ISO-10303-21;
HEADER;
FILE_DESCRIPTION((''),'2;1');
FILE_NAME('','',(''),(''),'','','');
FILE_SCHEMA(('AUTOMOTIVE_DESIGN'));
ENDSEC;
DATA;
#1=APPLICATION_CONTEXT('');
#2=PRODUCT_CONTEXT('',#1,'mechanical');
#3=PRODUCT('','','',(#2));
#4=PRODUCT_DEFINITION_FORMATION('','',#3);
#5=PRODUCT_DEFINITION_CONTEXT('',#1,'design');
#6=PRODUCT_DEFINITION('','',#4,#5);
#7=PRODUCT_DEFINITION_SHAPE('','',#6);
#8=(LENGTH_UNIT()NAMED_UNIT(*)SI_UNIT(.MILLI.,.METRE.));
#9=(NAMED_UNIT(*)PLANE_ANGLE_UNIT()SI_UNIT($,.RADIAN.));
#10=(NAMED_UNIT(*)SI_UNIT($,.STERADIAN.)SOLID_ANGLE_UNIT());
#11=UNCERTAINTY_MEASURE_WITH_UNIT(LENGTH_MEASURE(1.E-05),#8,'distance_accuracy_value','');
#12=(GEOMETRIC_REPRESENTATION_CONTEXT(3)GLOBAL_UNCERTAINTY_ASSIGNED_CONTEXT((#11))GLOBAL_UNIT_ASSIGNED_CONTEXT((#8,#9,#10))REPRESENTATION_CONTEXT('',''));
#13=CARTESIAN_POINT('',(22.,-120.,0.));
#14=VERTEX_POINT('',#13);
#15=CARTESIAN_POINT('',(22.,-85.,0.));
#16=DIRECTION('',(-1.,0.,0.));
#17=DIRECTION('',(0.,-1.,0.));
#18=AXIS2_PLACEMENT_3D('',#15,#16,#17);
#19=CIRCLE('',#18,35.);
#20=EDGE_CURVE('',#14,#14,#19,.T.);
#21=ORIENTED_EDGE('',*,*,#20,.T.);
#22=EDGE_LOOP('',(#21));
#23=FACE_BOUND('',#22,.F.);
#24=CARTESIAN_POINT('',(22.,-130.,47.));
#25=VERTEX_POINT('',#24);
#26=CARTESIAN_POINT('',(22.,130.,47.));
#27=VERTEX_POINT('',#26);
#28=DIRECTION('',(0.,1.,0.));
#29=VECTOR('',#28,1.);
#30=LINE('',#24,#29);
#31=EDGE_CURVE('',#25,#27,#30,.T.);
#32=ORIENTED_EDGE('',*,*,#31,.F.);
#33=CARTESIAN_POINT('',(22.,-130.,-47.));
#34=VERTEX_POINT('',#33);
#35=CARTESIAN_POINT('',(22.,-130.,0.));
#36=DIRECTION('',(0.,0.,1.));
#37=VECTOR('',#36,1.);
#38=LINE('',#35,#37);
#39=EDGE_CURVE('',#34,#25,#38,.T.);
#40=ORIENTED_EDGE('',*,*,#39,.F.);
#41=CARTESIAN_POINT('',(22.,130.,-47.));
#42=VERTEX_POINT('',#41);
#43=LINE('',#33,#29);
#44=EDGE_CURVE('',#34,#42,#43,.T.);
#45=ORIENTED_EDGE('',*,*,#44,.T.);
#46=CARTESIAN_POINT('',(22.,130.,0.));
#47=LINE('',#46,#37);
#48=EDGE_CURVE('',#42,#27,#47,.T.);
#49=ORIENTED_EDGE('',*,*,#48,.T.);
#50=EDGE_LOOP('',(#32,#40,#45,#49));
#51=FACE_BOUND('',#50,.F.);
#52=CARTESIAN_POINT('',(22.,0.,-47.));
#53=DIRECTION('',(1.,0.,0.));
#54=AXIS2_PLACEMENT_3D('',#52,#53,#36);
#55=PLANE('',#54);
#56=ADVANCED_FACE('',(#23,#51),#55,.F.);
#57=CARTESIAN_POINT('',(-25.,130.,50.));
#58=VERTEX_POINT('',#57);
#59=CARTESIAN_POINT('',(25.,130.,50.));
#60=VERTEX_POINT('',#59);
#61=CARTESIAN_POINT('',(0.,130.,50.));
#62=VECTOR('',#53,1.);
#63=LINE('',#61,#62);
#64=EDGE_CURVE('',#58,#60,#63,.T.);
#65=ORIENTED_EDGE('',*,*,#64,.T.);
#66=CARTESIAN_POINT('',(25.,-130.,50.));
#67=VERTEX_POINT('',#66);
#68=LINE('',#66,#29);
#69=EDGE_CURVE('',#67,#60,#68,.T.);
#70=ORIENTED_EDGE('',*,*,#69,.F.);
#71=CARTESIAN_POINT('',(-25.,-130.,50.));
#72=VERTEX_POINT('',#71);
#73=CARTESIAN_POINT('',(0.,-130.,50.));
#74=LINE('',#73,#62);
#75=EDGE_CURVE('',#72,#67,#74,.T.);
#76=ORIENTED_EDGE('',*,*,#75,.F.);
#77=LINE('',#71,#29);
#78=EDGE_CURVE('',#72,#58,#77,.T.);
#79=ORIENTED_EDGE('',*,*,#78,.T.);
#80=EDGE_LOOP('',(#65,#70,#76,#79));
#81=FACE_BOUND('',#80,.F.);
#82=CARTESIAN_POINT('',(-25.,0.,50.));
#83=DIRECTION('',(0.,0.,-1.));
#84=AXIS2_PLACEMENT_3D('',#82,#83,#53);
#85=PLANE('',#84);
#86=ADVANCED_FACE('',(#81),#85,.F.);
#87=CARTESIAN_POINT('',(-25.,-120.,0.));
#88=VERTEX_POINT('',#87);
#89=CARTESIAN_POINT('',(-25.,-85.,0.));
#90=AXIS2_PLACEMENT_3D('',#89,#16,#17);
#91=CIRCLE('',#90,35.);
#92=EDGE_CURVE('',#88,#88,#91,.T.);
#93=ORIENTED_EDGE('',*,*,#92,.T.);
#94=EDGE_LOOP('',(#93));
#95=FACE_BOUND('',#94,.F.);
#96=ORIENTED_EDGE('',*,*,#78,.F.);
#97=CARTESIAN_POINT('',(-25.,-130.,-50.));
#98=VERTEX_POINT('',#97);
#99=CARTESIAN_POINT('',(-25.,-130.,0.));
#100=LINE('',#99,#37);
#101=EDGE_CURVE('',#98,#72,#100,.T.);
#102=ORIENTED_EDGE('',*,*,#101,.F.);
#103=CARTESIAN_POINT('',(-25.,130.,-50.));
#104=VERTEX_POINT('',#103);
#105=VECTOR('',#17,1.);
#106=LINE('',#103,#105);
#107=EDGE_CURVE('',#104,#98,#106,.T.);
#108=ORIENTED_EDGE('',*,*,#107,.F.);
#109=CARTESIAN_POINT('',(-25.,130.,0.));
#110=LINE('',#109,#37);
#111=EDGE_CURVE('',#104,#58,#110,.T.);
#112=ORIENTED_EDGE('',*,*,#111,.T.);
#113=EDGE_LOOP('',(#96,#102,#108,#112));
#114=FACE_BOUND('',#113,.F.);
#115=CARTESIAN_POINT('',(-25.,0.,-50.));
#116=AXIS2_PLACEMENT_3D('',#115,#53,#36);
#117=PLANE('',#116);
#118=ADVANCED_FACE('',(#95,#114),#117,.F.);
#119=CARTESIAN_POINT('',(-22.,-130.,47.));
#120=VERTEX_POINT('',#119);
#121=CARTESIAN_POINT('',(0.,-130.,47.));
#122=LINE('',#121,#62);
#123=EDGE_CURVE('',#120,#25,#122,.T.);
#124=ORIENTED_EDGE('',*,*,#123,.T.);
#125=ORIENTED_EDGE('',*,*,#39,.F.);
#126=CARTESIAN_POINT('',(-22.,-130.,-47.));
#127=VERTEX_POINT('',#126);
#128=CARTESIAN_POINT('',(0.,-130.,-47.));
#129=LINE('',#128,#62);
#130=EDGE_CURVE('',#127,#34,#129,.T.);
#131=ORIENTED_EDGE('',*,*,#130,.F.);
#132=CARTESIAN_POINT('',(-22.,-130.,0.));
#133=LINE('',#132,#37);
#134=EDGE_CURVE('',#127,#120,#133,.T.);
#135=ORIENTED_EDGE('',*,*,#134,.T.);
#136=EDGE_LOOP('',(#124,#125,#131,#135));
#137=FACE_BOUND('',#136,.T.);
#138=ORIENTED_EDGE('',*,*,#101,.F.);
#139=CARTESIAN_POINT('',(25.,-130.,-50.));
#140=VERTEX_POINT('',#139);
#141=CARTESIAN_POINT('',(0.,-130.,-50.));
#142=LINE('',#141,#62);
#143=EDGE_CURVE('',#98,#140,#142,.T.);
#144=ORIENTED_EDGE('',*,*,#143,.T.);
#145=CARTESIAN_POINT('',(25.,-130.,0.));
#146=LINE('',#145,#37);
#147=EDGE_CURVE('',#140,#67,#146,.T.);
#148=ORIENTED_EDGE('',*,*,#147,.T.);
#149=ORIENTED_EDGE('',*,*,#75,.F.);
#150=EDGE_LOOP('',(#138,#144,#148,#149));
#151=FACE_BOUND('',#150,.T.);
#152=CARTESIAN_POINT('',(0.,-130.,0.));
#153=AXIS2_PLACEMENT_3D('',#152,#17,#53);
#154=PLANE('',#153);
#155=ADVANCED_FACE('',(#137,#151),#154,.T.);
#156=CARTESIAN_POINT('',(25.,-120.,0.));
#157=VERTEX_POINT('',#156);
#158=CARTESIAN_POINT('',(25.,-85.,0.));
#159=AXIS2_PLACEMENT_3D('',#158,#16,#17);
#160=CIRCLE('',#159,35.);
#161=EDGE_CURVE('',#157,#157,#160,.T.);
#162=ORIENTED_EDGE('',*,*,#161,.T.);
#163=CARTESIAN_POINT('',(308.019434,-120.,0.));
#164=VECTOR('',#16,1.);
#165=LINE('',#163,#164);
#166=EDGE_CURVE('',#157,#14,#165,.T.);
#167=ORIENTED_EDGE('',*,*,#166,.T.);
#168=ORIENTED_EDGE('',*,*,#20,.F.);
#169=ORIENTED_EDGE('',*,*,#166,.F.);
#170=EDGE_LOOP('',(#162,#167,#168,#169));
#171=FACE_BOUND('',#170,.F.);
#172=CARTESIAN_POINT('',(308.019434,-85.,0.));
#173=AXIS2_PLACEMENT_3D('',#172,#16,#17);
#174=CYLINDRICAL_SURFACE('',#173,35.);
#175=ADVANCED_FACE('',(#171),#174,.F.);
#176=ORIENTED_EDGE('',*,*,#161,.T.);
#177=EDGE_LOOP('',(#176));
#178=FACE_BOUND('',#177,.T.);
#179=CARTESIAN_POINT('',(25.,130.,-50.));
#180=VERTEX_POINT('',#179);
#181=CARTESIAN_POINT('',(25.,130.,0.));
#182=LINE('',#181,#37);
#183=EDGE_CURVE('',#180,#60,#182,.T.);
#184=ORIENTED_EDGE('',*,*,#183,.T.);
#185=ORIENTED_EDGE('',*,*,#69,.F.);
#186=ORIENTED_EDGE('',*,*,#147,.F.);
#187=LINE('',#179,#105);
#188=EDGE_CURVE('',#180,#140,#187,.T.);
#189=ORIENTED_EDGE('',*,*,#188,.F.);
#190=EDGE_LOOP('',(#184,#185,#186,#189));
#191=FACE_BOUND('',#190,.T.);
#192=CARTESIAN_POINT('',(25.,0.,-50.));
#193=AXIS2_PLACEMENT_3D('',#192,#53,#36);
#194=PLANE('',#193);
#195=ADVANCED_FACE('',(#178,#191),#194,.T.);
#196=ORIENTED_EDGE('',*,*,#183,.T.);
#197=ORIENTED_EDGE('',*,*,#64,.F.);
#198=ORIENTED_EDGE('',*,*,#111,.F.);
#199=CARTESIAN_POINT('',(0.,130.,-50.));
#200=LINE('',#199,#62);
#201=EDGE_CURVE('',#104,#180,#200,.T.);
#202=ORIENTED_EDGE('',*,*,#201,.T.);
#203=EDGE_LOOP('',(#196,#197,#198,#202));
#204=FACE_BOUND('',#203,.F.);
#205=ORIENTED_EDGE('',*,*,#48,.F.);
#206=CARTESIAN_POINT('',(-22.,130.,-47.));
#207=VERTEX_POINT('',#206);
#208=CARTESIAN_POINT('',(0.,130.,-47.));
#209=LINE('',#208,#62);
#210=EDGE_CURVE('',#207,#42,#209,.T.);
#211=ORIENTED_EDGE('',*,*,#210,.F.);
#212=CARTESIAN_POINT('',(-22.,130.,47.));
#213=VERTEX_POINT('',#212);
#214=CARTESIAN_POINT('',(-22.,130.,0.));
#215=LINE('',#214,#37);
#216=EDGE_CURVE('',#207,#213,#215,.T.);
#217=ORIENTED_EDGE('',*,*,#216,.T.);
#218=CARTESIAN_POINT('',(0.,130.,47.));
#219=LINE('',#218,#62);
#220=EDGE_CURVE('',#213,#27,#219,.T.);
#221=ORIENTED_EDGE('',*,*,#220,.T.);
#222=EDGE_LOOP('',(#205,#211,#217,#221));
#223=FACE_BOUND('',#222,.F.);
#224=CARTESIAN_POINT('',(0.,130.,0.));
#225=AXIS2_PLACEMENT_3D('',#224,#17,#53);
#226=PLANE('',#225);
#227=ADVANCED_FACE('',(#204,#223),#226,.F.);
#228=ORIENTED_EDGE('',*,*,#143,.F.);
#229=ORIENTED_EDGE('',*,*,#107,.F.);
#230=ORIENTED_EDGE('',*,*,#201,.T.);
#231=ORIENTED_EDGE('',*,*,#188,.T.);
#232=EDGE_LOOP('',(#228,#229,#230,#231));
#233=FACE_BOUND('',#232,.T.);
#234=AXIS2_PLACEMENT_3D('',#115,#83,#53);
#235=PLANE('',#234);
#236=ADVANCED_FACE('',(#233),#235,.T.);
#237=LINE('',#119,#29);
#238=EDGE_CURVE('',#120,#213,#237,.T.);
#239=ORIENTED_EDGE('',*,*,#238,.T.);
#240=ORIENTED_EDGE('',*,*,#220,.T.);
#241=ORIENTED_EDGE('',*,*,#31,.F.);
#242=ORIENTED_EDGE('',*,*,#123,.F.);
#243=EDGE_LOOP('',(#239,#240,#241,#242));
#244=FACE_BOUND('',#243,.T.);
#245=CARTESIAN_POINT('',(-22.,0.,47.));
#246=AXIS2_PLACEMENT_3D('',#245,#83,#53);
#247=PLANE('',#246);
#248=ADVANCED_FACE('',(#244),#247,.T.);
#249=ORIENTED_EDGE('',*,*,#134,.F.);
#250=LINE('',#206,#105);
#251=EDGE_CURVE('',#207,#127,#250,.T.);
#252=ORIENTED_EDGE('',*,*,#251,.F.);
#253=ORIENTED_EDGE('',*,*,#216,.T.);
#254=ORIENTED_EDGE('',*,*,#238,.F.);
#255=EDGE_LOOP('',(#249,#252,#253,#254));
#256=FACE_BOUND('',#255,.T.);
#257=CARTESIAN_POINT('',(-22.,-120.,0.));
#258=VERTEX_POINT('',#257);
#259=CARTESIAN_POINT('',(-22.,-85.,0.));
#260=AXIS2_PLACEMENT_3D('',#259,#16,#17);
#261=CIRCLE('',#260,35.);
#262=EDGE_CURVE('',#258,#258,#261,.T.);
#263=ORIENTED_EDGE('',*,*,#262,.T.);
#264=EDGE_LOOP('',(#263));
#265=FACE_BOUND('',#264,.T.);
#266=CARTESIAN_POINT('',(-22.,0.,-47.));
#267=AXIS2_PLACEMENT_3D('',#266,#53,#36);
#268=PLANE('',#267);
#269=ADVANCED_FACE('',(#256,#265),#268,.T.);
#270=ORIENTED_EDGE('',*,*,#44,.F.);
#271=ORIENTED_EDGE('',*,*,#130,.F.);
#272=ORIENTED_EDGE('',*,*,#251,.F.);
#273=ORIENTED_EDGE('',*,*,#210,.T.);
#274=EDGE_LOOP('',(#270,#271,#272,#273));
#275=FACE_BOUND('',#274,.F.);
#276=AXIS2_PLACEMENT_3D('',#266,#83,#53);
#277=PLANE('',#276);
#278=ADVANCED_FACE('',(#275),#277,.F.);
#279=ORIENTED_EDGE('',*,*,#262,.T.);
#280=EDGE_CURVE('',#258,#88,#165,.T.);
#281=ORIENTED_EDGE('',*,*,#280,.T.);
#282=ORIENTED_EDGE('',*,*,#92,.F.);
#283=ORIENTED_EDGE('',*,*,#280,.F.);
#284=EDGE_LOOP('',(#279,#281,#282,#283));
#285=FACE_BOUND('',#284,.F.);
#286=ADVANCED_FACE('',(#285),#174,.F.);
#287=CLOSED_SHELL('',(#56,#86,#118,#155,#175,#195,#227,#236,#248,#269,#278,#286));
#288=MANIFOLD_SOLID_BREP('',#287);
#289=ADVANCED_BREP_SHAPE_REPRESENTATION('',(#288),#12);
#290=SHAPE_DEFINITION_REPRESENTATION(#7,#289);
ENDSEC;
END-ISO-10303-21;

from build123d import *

# Parameters (mm, degrees)
F0_W     = 50
F0_H     = 100
F0_W_2   = 44
F0_H_2   = 94
F1_DEPTH = 130
F3_D     = 70


with BuildPart() as f1:
    # F0 (on Front) → F1 (new body, symmetric)
    with BuildSketch(Plane.XZ):
        Rectangle(F0_W, F0_H)
        Rectangle(F0_W_2, F0_H_2, mode=Mode.SUBTRACT)
    extrude(amount=F1_DEPTH, both=True)

    # F3 (through all)
    with Locations(Plane.YZ.offset(25)):
        with Locations((-85, 0)):
            Hole(F3_D / 2)


solid = f1.part
